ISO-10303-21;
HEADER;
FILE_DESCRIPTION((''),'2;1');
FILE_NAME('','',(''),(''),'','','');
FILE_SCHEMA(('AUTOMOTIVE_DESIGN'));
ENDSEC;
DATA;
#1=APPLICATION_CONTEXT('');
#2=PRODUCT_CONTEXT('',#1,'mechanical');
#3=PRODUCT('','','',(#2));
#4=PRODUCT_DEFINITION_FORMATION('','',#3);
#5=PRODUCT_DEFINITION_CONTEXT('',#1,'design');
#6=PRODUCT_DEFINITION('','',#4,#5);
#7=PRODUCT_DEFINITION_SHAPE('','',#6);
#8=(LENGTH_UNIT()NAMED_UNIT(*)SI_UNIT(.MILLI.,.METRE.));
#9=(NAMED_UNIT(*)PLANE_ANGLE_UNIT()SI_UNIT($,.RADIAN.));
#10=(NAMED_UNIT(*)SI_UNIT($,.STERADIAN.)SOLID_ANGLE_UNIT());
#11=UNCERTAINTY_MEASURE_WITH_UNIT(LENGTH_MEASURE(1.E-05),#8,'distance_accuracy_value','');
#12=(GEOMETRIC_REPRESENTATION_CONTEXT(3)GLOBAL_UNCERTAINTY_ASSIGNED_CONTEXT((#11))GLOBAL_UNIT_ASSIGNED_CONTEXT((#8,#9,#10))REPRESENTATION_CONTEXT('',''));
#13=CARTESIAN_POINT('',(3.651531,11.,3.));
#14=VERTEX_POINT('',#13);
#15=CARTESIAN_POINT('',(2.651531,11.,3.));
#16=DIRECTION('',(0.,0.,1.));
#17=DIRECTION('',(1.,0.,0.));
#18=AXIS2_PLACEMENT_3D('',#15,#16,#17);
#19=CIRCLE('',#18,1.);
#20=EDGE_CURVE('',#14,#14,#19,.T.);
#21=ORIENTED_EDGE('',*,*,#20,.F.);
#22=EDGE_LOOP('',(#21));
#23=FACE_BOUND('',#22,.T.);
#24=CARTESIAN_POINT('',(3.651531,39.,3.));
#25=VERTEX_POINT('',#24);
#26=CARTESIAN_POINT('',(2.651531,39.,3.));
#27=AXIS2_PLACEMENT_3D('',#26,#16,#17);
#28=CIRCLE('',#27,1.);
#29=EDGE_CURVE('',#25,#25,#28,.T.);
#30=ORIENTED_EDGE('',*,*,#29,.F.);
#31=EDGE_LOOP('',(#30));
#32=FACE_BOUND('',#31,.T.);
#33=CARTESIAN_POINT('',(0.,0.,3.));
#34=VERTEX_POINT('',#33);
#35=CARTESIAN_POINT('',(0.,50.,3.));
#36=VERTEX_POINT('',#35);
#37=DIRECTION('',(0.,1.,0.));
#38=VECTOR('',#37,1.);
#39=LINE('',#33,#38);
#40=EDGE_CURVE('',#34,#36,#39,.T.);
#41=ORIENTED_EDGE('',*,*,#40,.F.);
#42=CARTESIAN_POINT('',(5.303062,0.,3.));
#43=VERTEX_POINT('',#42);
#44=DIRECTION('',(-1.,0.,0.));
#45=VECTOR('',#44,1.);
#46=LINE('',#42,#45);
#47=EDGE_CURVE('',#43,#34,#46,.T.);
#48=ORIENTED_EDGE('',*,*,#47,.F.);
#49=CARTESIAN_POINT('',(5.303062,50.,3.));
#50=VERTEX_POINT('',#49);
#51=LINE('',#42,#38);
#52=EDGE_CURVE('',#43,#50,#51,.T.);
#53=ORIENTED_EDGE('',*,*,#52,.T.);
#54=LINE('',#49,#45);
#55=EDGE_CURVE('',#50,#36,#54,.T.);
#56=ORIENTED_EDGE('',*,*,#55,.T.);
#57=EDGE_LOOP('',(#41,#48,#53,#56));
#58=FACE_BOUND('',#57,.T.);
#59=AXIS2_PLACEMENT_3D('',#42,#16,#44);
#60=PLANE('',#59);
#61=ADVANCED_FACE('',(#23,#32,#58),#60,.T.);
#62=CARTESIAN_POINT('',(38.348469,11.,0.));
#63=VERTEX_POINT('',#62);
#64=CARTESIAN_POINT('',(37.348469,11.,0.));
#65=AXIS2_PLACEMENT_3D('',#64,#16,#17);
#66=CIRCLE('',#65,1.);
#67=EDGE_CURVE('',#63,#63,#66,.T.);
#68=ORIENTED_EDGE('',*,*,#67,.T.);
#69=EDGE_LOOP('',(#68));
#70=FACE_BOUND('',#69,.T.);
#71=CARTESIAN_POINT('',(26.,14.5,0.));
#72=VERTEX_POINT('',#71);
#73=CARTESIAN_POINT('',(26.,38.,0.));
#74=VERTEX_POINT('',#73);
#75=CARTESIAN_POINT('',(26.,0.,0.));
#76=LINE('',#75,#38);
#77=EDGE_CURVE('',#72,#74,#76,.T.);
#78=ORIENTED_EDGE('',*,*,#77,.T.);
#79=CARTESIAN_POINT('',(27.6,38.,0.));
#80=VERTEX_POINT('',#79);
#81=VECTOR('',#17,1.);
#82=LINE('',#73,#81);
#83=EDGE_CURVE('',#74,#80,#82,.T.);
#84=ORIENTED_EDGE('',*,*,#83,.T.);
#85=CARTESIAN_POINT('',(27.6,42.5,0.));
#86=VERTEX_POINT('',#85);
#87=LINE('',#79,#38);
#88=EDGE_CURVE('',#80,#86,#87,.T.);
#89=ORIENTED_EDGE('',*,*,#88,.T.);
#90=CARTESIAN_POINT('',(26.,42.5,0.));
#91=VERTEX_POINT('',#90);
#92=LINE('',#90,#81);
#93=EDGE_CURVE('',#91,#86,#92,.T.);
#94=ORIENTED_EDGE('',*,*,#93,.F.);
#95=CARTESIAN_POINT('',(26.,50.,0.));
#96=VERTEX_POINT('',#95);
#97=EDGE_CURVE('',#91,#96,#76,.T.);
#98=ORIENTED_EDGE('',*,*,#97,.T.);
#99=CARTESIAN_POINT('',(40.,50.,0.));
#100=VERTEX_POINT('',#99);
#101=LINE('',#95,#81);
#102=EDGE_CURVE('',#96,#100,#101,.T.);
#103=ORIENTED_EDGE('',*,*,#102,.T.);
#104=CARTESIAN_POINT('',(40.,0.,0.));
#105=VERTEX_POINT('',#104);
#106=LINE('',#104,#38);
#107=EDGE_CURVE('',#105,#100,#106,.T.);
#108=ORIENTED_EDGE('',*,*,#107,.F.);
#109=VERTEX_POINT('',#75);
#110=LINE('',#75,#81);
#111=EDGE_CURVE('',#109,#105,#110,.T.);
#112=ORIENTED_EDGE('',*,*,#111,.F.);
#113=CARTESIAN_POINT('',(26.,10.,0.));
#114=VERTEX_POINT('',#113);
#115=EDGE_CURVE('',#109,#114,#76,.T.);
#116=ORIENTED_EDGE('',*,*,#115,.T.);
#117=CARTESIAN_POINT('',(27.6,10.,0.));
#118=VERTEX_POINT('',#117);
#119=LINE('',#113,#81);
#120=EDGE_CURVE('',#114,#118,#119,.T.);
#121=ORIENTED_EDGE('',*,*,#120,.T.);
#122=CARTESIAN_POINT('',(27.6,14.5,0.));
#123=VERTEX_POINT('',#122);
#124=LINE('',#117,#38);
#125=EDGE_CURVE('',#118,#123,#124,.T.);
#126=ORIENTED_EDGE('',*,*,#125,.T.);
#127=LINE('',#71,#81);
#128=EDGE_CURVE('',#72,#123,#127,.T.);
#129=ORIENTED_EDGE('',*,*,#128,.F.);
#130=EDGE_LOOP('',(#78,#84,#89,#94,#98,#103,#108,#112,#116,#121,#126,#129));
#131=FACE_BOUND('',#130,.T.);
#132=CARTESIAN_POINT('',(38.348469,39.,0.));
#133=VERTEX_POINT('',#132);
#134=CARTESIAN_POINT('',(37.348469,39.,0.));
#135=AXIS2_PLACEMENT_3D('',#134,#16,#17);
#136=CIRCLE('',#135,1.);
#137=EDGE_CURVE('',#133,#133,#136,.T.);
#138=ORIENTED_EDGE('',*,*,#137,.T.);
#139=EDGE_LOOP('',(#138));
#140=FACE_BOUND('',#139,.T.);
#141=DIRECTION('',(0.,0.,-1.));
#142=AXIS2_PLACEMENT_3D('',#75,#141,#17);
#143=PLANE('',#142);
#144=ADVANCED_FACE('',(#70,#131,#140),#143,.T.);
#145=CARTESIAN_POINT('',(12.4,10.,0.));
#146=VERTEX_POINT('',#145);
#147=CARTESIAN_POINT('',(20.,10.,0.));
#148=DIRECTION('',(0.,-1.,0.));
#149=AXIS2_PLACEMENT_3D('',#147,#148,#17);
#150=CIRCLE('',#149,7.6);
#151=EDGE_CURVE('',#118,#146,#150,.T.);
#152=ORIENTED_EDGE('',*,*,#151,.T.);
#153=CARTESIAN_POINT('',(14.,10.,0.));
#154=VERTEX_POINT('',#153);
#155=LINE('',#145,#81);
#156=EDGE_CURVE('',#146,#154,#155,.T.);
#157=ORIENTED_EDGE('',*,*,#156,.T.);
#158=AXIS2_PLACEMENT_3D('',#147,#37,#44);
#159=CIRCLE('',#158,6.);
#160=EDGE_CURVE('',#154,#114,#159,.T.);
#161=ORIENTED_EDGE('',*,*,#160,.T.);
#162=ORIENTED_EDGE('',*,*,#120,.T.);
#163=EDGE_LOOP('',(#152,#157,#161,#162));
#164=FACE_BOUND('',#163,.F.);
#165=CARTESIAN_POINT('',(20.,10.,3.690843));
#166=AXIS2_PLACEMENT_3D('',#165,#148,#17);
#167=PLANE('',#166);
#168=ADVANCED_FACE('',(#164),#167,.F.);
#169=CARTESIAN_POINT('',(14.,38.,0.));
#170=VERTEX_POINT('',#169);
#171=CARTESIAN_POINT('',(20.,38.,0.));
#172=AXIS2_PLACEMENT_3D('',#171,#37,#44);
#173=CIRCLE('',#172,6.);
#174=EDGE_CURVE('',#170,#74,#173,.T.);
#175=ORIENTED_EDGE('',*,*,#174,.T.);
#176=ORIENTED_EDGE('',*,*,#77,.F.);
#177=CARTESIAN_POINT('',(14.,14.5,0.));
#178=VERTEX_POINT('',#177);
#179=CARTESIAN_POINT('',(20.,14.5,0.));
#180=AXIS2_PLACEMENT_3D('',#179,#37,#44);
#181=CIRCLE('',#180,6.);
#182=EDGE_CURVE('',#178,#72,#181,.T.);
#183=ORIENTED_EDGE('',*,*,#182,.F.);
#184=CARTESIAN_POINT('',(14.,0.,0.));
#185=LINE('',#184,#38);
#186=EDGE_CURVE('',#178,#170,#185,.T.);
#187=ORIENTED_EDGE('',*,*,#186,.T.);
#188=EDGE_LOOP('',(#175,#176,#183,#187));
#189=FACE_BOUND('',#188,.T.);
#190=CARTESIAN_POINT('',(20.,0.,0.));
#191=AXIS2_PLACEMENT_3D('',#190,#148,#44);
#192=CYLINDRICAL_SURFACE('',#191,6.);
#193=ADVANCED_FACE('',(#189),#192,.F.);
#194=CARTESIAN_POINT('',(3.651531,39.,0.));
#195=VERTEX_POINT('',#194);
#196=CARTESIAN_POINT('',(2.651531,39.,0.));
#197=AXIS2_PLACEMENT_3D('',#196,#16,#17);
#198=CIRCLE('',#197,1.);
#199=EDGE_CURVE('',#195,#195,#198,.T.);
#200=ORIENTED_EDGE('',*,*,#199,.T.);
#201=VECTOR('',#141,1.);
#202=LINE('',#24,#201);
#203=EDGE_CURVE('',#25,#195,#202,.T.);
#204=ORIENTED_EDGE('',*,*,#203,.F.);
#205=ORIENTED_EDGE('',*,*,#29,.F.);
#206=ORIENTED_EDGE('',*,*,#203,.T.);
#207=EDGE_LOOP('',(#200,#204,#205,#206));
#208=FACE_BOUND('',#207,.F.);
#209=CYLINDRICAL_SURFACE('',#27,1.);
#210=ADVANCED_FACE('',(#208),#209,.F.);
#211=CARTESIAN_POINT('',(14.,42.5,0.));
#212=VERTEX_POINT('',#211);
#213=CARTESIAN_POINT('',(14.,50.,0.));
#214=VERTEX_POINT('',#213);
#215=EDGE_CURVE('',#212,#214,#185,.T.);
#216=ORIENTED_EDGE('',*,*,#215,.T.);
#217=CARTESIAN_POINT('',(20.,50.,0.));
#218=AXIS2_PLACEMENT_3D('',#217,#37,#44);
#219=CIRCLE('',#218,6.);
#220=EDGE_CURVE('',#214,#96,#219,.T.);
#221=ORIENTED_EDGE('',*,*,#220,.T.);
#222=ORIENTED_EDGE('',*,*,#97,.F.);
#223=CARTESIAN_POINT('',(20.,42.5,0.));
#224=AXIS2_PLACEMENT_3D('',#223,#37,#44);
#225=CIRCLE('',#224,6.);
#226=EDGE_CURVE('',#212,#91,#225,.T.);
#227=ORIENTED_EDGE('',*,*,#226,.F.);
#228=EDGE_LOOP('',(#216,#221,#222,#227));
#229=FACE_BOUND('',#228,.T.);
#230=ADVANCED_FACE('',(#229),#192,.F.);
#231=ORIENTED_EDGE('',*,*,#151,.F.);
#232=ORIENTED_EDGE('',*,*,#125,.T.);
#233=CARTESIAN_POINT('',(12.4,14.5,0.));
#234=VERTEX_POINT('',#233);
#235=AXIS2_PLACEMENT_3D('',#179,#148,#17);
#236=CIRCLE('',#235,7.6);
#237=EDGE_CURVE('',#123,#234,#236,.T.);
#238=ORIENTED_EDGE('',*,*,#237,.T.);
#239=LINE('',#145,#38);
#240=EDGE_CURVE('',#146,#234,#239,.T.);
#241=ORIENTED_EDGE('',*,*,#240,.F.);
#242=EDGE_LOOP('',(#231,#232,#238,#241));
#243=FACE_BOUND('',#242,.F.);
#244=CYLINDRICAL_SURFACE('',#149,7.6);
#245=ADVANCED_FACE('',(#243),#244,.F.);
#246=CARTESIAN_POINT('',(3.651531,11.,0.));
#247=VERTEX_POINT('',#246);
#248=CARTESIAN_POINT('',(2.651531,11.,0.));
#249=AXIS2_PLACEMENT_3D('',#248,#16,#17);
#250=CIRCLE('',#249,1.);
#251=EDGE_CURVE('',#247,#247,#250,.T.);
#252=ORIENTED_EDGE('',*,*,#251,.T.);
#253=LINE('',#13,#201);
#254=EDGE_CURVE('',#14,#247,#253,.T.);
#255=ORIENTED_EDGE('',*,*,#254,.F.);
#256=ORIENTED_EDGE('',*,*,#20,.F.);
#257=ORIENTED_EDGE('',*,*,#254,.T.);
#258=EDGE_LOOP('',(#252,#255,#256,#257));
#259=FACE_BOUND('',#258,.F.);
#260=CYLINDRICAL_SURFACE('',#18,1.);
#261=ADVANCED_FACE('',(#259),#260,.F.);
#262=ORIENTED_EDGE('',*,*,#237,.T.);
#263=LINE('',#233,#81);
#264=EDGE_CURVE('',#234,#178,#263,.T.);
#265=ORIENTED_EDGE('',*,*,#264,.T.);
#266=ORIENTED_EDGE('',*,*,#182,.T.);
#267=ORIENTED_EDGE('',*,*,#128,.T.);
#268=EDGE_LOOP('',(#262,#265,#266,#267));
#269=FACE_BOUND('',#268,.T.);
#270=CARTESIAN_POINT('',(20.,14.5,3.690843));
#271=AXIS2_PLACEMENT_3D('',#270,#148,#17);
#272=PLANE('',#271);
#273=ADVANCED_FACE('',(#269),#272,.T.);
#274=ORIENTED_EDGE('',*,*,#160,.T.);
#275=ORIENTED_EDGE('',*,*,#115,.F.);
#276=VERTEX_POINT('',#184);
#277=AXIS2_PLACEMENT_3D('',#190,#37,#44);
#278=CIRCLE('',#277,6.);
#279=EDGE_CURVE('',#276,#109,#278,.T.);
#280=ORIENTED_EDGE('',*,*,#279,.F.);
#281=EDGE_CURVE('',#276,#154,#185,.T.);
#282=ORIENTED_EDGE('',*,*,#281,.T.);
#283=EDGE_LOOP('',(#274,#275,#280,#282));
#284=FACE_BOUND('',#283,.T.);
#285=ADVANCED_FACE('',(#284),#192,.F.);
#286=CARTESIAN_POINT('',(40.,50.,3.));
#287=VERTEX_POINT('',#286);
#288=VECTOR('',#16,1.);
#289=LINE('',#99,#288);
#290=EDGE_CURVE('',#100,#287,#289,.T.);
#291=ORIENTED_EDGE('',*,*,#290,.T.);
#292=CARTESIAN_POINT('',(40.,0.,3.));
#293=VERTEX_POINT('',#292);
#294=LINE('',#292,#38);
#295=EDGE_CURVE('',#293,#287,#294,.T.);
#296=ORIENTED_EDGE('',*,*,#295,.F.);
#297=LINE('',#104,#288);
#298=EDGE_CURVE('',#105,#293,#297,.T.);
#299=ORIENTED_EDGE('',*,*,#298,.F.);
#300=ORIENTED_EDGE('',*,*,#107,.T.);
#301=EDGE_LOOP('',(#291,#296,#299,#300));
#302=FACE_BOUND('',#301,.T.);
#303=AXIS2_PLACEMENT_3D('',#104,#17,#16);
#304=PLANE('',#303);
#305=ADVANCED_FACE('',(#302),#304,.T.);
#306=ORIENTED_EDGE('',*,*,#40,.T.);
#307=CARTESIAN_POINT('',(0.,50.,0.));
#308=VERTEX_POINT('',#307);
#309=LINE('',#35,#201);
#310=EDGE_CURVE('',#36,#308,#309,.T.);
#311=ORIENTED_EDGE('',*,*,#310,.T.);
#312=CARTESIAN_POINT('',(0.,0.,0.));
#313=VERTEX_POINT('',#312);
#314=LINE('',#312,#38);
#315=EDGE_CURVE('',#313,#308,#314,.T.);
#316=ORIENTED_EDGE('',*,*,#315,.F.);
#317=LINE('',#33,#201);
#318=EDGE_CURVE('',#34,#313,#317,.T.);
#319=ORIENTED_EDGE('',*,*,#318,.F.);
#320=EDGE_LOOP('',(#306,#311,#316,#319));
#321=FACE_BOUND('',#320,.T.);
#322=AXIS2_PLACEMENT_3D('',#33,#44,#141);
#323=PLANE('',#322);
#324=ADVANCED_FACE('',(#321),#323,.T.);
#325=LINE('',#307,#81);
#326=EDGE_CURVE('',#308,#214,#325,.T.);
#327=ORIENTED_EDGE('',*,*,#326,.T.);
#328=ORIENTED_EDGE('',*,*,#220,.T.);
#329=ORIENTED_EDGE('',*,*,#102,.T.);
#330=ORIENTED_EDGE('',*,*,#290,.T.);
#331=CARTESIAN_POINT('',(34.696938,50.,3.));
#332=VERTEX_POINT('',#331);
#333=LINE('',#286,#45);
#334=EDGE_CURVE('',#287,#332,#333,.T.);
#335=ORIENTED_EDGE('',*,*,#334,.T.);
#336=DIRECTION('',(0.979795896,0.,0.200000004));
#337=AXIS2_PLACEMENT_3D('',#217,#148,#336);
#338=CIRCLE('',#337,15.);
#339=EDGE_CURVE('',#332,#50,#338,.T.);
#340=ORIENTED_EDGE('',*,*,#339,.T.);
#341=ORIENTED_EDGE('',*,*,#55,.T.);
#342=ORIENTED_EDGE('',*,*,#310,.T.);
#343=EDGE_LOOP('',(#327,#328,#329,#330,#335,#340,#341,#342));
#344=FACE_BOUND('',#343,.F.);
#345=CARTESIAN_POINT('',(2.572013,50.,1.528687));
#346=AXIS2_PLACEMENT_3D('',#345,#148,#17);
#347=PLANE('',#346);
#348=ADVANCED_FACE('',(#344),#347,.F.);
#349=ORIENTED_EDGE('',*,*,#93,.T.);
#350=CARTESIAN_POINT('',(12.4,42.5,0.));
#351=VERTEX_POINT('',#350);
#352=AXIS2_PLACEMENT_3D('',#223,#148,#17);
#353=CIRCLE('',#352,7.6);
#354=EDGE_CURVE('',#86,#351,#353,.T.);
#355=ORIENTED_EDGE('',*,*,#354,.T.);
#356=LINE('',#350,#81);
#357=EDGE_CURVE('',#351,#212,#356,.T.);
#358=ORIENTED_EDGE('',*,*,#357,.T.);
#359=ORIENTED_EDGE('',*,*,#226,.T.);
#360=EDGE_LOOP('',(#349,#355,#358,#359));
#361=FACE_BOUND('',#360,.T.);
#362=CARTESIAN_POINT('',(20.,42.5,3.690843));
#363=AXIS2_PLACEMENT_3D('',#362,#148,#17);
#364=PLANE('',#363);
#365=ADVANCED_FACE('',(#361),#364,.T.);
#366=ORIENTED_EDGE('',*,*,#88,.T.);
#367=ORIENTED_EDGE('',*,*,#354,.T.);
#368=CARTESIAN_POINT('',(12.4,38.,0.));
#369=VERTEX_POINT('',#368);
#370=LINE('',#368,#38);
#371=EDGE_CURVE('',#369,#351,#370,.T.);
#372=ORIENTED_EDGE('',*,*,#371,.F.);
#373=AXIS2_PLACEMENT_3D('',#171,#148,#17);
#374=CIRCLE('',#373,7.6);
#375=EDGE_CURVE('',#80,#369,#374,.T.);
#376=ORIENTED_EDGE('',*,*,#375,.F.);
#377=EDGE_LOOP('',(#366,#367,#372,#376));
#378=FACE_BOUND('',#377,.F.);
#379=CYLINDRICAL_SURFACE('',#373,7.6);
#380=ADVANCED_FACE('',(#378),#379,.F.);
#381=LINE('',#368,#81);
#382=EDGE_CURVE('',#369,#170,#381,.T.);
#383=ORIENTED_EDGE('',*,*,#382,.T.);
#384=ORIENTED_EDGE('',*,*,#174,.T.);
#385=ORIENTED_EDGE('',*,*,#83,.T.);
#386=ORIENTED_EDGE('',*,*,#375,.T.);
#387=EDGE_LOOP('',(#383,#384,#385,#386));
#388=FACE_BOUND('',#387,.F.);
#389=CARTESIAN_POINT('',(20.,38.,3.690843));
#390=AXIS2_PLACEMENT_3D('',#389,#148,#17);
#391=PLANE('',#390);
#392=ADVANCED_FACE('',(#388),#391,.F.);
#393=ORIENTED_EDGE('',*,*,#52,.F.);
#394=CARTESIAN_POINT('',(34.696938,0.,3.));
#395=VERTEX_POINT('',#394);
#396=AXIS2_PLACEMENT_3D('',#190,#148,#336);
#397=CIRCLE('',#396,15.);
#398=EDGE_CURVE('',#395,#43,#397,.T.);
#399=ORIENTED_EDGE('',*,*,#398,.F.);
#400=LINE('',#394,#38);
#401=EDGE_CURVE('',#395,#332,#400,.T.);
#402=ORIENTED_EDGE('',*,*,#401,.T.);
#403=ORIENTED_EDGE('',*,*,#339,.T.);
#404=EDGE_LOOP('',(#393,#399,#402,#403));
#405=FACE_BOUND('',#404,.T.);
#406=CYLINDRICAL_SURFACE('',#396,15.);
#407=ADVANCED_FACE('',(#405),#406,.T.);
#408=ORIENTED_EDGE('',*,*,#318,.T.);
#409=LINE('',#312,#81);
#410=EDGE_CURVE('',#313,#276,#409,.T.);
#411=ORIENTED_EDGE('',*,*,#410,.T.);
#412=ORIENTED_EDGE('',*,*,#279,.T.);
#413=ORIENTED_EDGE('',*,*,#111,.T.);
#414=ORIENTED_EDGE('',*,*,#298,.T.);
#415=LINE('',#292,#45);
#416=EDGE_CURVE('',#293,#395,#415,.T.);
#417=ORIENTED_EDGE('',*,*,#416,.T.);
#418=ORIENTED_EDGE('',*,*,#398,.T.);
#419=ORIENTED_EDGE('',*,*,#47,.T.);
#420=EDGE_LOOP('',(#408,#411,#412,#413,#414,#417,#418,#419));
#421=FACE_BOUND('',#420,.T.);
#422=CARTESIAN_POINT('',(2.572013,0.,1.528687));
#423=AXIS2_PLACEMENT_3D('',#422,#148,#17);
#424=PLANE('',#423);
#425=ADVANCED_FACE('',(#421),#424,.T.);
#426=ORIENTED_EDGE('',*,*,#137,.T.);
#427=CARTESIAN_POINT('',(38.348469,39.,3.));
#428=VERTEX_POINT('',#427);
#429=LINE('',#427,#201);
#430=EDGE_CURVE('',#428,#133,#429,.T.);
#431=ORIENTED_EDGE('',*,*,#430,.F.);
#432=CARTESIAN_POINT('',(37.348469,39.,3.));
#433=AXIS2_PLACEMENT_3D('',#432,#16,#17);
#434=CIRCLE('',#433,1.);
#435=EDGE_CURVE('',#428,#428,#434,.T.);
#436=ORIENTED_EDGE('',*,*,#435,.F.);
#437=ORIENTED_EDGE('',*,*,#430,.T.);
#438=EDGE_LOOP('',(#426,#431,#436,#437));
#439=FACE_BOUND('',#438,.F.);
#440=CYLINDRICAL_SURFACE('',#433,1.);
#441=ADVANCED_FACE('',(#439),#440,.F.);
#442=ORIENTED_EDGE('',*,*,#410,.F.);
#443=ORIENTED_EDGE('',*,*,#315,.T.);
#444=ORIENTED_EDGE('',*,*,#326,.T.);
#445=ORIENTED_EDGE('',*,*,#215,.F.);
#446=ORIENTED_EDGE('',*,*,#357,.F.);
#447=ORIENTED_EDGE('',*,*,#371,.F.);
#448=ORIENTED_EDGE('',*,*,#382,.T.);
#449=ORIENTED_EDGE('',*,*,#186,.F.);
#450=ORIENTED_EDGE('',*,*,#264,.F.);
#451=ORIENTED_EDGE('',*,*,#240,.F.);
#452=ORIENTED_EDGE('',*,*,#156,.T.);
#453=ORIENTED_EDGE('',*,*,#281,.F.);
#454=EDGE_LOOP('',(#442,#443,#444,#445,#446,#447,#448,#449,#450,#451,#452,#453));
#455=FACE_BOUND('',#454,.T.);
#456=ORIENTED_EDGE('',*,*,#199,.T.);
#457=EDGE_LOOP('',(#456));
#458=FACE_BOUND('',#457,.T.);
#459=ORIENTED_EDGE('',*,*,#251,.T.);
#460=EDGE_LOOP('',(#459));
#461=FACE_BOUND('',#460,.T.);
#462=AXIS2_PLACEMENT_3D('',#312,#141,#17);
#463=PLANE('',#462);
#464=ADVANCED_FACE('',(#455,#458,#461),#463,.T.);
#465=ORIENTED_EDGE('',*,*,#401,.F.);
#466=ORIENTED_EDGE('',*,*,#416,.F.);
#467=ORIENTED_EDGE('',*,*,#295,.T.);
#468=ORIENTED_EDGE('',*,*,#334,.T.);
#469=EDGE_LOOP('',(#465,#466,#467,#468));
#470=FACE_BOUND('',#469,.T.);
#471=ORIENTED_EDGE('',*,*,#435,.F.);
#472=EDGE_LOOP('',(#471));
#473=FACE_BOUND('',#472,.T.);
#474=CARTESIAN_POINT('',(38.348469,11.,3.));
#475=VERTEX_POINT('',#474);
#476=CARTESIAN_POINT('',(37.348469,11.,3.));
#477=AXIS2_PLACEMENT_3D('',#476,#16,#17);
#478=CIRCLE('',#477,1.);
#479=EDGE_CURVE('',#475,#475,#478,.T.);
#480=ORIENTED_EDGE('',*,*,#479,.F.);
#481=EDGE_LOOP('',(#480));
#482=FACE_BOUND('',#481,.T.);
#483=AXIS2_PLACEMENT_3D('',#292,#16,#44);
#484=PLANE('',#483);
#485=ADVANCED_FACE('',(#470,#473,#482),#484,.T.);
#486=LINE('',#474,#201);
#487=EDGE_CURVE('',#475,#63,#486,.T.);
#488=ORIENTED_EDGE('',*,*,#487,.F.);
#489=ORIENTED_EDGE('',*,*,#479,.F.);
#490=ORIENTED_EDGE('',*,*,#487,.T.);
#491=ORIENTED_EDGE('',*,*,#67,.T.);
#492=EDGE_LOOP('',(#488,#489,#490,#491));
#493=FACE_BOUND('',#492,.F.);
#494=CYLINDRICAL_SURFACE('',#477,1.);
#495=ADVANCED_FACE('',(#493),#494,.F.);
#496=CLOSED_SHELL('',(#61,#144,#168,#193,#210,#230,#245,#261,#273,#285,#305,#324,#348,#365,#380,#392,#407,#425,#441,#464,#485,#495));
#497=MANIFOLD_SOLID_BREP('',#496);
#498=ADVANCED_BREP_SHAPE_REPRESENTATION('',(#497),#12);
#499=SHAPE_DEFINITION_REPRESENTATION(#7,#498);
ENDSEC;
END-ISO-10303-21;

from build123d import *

# Parameters (mm, degrees)
F1_DEPTH = 50
F4_DEPTH = 4.5
F5_START = -28
F5_DEPTH = 4.5
F6_R     = 1
F7_DEPTH = 25


with BuildPart() as f1:
    # F0 (on Front) → F1 (new body)
    with BuildSketch(Plane.XZ):
        with BuildLine():
            Line((0, 3), (0, 0))
            Line((0, 0), (5.0000003353, 0))
            ThreePointArc((5.0000003353, 0), (5.0759580419, 1.5076344304), (5.3030618855, 3))
            Line((5.3030618855, 3), (0, 3))
        make_face()
        with BuildLine():
            ThreePointArc((5.3030618855, 3), (5.0759580419, 1.5076344304), (5.0000003353, 0))
            Line((5.0000003353, 0), (14, 0))
            ThreePointArc((14, 0), (20, 6), (26, 0))
            Line((26, 0), (34.9999996647, 0))
            ThreePointArc((34.9999996647, 0), (34.9240419581, 1.5076344304), (34.6969381145, 3))
            ThreePointArc((34.6969381145, 3), (20, 14.9999996647), (5.3030618855, 3))
        make_face()
        with BuildLine():
            Line((40, 3), (34.6969381145, 3))
            ThreePointArc((34.6969381145, 3), (34.9240419581, 1.5076344304), (34.9999996647, 0))
            Line((34.9999996647, 0), (40, 0))
            Line((40, 0), (40, 3))
        make_face()
    extrude(amount=-F1_DEPTH)

    # F3 (on offset) → F4 (cut)
    with BuildSketch(Plane.XZ.offset(-10)):
        with BuildLine():
            Line((26, 0), (27.6, 0))
            ThreePointArc((27.6, 0), (20, 7.6), (12.4, 0))
            Line((12.4, 0), (14, 0))
            ThreePointArc((14, 0), (20, 6), (26, 0))
        make_face()
    extrude(amount=-F4_DEPTH, mode=Mode.SUBTRACT)

    # F3 (on offset) → F5 (cut)
    with BuildSketch(Plane.XZ.offset(-10).offset(F5_START)):
        with BuildLine():
            Line((26, 0), (27.6, 0))
            ThreePointArc((27.6, 0), (20, 7.6), (12.4, 0))
            Line((12.4, 0), (14, 0))
            ThreePointArc((14, 0), (20, 6), (26, 0))
        make_face()
    extrude(amount=-F5_DEPTH, mode=Mode.SUBTRACT)

    # F6 (on face) → F7 (cut)
    with BuildSketch(Plane.XY.offset(3)):
        with Locations((37.3484690573, 11)):
            Circle(F6_R)
        with Locations((37.3484690573, 39)):
            Circle(F6_R)
        with Locations((2.6515309427, 11)):
            Circle(F6_R)
        with Locations((2.6515309427, 39)):
            Circle(F6_R)
    extrude(amount=-F7_DEPTH, mode=Mode.SUBTRACT)


solid = f1.part
